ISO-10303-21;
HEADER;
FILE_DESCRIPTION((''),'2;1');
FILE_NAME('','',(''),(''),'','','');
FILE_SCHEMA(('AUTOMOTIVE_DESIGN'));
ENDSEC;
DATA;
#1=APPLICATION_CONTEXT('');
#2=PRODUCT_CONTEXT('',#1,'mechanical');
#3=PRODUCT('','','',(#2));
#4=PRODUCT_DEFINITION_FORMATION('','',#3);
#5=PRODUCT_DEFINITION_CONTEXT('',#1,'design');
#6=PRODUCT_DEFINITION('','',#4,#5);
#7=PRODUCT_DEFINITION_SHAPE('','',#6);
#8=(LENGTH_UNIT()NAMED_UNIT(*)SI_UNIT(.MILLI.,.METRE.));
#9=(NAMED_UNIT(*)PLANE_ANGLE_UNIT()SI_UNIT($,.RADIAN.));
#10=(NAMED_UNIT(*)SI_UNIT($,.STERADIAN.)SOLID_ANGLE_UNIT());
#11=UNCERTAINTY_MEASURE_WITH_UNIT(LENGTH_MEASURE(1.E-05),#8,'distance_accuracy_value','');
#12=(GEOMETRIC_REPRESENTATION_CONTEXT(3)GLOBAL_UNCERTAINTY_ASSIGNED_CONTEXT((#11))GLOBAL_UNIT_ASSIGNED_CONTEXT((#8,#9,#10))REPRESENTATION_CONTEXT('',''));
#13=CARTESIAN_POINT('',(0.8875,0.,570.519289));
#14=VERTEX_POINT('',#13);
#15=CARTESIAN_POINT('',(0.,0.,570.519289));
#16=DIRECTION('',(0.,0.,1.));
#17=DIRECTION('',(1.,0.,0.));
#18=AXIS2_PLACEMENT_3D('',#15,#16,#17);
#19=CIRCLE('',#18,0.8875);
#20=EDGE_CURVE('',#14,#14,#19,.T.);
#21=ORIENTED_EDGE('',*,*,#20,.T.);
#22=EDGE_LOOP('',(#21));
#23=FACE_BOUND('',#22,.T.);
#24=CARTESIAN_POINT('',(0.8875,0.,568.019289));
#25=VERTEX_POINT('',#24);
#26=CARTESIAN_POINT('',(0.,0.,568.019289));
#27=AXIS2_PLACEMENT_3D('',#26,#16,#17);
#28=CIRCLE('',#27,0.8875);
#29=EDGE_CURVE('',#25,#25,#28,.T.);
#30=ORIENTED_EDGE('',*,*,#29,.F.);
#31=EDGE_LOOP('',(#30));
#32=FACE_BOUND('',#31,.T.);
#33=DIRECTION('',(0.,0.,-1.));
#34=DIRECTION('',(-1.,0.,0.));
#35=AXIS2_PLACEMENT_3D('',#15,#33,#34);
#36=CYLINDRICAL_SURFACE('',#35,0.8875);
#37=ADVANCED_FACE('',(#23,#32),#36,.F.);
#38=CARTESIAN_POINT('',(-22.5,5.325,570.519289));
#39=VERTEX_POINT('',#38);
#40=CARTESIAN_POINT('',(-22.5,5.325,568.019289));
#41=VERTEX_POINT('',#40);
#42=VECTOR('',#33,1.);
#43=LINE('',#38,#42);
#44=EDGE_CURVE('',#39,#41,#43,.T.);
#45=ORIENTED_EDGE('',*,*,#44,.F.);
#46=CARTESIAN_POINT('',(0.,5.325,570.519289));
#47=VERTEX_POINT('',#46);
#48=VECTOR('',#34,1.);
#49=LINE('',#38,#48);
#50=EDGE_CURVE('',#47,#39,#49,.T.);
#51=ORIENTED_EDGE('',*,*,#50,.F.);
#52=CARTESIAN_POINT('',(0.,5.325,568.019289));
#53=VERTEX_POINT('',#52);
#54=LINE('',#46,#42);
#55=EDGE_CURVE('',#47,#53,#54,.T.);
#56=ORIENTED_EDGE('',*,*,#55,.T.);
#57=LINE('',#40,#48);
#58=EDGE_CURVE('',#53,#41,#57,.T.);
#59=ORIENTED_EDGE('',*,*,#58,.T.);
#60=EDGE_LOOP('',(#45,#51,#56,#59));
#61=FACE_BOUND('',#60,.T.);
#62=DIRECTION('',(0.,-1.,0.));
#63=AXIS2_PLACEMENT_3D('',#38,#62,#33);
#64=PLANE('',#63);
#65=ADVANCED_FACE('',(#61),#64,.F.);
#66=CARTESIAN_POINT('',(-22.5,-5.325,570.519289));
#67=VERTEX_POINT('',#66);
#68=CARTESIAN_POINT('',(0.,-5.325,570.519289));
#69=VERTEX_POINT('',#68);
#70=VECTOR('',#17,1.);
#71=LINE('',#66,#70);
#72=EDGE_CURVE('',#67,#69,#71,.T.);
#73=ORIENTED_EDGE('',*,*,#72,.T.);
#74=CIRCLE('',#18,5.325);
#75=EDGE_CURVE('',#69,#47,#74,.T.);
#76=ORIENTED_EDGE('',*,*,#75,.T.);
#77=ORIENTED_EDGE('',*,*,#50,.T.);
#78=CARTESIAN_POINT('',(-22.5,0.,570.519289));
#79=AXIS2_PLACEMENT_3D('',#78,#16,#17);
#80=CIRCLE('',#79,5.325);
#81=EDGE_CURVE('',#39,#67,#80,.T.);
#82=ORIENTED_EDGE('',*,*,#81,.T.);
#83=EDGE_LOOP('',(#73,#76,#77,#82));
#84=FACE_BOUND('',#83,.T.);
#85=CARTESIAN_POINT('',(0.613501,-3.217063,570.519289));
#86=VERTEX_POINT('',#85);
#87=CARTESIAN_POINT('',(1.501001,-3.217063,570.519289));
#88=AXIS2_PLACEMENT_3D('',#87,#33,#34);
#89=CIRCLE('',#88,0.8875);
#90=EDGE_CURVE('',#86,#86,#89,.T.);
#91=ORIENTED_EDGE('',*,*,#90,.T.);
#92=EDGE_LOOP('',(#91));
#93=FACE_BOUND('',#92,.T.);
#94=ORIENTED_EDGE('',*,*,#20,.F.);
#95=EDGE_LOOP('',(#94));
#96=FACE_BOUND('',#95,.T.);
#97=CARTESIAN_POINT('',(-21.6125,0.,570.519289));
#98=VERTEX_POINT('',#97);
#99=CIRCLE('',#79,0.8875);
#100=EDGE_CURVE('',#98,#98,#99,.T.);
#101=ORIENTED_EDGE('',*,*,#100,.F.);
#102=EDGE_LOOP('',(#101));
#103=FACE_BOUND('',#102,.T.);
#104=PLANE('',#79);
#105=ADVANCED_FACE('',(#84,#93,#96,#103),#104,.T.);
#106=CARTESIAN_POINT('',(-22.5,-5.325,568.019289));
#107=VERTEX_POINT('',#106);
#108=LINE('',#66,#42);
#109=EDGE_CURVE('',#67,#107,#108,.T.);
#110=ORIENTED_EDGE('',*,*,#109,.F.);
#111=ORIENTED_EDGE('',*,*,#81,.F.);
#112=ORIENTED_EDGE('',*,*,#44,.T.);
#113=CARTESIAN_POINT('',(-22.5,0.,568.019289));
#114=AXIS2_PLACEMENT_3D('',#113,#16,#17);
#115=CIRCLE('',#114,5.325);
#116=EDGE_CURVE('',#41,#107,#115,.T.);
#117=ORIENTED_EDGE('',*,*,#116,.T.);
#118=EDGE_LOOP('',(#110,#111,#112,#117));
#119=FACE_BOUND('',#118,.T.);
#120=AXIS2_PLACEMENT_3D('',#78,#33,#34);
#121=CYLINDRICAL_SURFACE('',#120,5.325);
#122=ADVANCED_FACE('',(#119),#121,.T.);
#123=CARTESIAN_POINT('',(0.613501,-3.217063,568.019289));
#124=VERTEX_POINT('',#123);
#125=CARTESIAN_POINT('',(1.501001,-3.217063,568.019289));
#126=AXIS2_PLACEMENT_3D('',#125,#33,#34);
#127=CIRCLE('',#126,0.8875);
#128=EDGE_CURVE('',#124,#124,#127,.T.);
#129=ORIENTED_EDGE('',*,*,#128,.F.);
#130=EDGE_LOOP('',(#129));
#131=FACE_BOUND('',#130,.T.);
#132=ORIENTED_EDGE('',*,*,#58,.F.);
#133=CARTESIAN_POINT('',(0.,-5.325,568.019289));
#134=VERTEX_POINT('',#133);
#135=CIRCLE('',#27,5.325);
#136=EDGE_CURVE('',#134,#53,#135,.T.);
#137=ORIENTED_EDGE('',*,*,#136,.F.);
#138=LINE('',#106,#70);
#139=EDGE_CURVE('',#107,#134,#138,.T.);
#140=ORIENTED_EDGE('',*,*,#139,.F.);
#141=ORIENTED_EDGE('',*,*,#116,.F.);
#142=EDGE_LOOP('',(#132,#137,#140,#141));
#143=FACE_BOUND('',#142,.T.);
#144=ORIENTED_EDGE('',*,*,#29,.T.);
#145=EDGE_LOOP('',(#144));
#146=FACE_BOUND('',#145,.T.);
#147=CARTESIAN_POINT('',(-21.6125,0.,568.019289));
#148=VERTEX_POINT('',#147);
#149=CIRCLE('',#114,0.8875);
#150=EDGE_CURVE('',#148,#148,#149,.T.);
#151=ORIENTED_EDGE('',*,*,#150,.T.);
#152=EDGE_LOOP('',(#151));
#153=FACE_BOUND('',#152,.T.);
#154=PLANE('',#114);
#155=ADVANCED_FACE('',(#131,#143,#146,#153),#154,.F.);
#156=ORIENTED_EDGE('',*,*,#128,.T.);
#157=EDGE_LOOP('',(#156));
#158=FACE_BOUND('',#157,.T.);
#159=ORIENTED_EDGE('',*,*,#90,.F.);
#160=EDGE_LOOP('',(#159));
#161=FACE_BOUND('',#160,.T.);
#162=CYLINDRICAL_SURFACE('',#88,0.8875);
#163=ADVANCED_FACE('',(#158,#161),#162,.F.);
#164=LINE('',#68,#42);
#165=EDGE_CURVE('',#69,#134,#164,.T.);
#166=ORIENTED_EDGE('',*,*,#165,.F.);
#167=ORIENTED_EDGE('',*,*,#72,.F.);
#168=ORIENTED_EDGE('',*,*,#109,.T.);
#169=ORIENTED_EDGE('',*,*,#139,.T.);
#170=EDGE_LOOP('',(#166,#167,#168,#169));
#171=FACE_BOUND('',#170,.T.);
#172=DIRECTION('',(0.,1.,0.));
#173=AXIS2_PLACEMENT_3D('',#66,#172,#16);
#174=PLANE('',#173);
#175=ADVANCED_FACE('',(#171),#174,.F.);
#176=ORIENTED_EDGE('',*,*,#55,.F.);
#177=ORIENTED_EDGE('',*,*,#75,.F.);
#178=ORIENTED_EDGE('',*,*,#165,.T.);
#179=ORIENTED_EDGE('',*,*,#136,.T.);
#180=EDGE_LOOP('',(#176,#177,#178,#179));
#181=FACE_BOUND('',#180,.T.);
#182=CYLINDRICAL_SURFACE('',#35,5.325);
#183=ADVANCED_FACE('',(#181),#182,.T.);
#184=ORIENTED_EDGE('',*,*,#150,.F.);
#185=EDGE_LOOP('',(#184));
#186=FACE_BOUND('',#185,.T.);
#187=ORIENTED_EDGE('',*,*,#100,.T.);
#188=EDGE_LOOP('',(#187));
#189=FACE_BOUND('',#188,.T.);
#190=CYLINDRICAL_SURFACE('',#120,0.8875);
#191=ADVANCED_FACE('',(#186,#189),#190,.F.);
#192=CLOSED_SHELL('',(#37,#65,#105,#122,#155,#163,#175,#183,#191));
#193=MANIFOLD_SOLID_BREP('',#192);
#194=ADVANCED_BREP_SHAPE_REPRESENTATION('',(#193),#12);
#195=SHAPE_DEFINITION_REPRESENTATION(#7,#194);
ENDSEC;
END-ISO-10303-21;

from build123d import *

# Parameters (mm, degrees)
SKETCH1_R           = 0.8875
BOSS_EXTRUDE1_DEPTH = 2.5
SKETCH3_R           = 0.8875
CUT_EXTRUDE2_DEPTH  = 3.5


with BuildPart() as part:
    # Sketch1 → Boss-Extrude1 (new body)
    with BuildSketch(Plane(origin=(-36.53515424, -38.284630008, 568.019288816), x_dir=(1, 0, 0), z_dir=(0, 0, 1))):
        with BuildLine():
            Line((14.03515424, 43.609630008), (36.53515424, 43.609630008))
            ThreePointArc((36.53515424, 43.609630008), (41.86015424, 38.284630008), (36.53515424, 32.959630008))
            Line((36.53515424, 32.959630008), (14.03515424, 32.959630008))
            ThreePointArc((14.03515424, 32.959630008), (8.71015424, 38.284630008), (14.03515424, 43.609630008))
        make_face()
        with Locations((36.53515424, 38.284630008)):
            Circle(SKETCH1_R, mode=Mode.SUBTRACT)
        with Locations((14.03515424, 38.284630008)):
            Circle(SKETCH1_R, mode=Mode.SUBTRACT)
    extrude(amount=BOSS_EXTRUDE1_DEPTH)

    # Sketch3 → Cut-Extrude2 (cut, through all)
    with BuildSketch(Plane(origin=(0, 0, 568.019288816), x_dir=(-1, 0, 0), z_dir=(0, 0, -1))):
        with Locations((-1.50100101, -3.217063252)):
            Circle(SKETCH3_R)
    extrude(amount=-CUT_EXTRUDE2_DEPTH, mode=Mode.SUBTRACT)


solid = part.part
